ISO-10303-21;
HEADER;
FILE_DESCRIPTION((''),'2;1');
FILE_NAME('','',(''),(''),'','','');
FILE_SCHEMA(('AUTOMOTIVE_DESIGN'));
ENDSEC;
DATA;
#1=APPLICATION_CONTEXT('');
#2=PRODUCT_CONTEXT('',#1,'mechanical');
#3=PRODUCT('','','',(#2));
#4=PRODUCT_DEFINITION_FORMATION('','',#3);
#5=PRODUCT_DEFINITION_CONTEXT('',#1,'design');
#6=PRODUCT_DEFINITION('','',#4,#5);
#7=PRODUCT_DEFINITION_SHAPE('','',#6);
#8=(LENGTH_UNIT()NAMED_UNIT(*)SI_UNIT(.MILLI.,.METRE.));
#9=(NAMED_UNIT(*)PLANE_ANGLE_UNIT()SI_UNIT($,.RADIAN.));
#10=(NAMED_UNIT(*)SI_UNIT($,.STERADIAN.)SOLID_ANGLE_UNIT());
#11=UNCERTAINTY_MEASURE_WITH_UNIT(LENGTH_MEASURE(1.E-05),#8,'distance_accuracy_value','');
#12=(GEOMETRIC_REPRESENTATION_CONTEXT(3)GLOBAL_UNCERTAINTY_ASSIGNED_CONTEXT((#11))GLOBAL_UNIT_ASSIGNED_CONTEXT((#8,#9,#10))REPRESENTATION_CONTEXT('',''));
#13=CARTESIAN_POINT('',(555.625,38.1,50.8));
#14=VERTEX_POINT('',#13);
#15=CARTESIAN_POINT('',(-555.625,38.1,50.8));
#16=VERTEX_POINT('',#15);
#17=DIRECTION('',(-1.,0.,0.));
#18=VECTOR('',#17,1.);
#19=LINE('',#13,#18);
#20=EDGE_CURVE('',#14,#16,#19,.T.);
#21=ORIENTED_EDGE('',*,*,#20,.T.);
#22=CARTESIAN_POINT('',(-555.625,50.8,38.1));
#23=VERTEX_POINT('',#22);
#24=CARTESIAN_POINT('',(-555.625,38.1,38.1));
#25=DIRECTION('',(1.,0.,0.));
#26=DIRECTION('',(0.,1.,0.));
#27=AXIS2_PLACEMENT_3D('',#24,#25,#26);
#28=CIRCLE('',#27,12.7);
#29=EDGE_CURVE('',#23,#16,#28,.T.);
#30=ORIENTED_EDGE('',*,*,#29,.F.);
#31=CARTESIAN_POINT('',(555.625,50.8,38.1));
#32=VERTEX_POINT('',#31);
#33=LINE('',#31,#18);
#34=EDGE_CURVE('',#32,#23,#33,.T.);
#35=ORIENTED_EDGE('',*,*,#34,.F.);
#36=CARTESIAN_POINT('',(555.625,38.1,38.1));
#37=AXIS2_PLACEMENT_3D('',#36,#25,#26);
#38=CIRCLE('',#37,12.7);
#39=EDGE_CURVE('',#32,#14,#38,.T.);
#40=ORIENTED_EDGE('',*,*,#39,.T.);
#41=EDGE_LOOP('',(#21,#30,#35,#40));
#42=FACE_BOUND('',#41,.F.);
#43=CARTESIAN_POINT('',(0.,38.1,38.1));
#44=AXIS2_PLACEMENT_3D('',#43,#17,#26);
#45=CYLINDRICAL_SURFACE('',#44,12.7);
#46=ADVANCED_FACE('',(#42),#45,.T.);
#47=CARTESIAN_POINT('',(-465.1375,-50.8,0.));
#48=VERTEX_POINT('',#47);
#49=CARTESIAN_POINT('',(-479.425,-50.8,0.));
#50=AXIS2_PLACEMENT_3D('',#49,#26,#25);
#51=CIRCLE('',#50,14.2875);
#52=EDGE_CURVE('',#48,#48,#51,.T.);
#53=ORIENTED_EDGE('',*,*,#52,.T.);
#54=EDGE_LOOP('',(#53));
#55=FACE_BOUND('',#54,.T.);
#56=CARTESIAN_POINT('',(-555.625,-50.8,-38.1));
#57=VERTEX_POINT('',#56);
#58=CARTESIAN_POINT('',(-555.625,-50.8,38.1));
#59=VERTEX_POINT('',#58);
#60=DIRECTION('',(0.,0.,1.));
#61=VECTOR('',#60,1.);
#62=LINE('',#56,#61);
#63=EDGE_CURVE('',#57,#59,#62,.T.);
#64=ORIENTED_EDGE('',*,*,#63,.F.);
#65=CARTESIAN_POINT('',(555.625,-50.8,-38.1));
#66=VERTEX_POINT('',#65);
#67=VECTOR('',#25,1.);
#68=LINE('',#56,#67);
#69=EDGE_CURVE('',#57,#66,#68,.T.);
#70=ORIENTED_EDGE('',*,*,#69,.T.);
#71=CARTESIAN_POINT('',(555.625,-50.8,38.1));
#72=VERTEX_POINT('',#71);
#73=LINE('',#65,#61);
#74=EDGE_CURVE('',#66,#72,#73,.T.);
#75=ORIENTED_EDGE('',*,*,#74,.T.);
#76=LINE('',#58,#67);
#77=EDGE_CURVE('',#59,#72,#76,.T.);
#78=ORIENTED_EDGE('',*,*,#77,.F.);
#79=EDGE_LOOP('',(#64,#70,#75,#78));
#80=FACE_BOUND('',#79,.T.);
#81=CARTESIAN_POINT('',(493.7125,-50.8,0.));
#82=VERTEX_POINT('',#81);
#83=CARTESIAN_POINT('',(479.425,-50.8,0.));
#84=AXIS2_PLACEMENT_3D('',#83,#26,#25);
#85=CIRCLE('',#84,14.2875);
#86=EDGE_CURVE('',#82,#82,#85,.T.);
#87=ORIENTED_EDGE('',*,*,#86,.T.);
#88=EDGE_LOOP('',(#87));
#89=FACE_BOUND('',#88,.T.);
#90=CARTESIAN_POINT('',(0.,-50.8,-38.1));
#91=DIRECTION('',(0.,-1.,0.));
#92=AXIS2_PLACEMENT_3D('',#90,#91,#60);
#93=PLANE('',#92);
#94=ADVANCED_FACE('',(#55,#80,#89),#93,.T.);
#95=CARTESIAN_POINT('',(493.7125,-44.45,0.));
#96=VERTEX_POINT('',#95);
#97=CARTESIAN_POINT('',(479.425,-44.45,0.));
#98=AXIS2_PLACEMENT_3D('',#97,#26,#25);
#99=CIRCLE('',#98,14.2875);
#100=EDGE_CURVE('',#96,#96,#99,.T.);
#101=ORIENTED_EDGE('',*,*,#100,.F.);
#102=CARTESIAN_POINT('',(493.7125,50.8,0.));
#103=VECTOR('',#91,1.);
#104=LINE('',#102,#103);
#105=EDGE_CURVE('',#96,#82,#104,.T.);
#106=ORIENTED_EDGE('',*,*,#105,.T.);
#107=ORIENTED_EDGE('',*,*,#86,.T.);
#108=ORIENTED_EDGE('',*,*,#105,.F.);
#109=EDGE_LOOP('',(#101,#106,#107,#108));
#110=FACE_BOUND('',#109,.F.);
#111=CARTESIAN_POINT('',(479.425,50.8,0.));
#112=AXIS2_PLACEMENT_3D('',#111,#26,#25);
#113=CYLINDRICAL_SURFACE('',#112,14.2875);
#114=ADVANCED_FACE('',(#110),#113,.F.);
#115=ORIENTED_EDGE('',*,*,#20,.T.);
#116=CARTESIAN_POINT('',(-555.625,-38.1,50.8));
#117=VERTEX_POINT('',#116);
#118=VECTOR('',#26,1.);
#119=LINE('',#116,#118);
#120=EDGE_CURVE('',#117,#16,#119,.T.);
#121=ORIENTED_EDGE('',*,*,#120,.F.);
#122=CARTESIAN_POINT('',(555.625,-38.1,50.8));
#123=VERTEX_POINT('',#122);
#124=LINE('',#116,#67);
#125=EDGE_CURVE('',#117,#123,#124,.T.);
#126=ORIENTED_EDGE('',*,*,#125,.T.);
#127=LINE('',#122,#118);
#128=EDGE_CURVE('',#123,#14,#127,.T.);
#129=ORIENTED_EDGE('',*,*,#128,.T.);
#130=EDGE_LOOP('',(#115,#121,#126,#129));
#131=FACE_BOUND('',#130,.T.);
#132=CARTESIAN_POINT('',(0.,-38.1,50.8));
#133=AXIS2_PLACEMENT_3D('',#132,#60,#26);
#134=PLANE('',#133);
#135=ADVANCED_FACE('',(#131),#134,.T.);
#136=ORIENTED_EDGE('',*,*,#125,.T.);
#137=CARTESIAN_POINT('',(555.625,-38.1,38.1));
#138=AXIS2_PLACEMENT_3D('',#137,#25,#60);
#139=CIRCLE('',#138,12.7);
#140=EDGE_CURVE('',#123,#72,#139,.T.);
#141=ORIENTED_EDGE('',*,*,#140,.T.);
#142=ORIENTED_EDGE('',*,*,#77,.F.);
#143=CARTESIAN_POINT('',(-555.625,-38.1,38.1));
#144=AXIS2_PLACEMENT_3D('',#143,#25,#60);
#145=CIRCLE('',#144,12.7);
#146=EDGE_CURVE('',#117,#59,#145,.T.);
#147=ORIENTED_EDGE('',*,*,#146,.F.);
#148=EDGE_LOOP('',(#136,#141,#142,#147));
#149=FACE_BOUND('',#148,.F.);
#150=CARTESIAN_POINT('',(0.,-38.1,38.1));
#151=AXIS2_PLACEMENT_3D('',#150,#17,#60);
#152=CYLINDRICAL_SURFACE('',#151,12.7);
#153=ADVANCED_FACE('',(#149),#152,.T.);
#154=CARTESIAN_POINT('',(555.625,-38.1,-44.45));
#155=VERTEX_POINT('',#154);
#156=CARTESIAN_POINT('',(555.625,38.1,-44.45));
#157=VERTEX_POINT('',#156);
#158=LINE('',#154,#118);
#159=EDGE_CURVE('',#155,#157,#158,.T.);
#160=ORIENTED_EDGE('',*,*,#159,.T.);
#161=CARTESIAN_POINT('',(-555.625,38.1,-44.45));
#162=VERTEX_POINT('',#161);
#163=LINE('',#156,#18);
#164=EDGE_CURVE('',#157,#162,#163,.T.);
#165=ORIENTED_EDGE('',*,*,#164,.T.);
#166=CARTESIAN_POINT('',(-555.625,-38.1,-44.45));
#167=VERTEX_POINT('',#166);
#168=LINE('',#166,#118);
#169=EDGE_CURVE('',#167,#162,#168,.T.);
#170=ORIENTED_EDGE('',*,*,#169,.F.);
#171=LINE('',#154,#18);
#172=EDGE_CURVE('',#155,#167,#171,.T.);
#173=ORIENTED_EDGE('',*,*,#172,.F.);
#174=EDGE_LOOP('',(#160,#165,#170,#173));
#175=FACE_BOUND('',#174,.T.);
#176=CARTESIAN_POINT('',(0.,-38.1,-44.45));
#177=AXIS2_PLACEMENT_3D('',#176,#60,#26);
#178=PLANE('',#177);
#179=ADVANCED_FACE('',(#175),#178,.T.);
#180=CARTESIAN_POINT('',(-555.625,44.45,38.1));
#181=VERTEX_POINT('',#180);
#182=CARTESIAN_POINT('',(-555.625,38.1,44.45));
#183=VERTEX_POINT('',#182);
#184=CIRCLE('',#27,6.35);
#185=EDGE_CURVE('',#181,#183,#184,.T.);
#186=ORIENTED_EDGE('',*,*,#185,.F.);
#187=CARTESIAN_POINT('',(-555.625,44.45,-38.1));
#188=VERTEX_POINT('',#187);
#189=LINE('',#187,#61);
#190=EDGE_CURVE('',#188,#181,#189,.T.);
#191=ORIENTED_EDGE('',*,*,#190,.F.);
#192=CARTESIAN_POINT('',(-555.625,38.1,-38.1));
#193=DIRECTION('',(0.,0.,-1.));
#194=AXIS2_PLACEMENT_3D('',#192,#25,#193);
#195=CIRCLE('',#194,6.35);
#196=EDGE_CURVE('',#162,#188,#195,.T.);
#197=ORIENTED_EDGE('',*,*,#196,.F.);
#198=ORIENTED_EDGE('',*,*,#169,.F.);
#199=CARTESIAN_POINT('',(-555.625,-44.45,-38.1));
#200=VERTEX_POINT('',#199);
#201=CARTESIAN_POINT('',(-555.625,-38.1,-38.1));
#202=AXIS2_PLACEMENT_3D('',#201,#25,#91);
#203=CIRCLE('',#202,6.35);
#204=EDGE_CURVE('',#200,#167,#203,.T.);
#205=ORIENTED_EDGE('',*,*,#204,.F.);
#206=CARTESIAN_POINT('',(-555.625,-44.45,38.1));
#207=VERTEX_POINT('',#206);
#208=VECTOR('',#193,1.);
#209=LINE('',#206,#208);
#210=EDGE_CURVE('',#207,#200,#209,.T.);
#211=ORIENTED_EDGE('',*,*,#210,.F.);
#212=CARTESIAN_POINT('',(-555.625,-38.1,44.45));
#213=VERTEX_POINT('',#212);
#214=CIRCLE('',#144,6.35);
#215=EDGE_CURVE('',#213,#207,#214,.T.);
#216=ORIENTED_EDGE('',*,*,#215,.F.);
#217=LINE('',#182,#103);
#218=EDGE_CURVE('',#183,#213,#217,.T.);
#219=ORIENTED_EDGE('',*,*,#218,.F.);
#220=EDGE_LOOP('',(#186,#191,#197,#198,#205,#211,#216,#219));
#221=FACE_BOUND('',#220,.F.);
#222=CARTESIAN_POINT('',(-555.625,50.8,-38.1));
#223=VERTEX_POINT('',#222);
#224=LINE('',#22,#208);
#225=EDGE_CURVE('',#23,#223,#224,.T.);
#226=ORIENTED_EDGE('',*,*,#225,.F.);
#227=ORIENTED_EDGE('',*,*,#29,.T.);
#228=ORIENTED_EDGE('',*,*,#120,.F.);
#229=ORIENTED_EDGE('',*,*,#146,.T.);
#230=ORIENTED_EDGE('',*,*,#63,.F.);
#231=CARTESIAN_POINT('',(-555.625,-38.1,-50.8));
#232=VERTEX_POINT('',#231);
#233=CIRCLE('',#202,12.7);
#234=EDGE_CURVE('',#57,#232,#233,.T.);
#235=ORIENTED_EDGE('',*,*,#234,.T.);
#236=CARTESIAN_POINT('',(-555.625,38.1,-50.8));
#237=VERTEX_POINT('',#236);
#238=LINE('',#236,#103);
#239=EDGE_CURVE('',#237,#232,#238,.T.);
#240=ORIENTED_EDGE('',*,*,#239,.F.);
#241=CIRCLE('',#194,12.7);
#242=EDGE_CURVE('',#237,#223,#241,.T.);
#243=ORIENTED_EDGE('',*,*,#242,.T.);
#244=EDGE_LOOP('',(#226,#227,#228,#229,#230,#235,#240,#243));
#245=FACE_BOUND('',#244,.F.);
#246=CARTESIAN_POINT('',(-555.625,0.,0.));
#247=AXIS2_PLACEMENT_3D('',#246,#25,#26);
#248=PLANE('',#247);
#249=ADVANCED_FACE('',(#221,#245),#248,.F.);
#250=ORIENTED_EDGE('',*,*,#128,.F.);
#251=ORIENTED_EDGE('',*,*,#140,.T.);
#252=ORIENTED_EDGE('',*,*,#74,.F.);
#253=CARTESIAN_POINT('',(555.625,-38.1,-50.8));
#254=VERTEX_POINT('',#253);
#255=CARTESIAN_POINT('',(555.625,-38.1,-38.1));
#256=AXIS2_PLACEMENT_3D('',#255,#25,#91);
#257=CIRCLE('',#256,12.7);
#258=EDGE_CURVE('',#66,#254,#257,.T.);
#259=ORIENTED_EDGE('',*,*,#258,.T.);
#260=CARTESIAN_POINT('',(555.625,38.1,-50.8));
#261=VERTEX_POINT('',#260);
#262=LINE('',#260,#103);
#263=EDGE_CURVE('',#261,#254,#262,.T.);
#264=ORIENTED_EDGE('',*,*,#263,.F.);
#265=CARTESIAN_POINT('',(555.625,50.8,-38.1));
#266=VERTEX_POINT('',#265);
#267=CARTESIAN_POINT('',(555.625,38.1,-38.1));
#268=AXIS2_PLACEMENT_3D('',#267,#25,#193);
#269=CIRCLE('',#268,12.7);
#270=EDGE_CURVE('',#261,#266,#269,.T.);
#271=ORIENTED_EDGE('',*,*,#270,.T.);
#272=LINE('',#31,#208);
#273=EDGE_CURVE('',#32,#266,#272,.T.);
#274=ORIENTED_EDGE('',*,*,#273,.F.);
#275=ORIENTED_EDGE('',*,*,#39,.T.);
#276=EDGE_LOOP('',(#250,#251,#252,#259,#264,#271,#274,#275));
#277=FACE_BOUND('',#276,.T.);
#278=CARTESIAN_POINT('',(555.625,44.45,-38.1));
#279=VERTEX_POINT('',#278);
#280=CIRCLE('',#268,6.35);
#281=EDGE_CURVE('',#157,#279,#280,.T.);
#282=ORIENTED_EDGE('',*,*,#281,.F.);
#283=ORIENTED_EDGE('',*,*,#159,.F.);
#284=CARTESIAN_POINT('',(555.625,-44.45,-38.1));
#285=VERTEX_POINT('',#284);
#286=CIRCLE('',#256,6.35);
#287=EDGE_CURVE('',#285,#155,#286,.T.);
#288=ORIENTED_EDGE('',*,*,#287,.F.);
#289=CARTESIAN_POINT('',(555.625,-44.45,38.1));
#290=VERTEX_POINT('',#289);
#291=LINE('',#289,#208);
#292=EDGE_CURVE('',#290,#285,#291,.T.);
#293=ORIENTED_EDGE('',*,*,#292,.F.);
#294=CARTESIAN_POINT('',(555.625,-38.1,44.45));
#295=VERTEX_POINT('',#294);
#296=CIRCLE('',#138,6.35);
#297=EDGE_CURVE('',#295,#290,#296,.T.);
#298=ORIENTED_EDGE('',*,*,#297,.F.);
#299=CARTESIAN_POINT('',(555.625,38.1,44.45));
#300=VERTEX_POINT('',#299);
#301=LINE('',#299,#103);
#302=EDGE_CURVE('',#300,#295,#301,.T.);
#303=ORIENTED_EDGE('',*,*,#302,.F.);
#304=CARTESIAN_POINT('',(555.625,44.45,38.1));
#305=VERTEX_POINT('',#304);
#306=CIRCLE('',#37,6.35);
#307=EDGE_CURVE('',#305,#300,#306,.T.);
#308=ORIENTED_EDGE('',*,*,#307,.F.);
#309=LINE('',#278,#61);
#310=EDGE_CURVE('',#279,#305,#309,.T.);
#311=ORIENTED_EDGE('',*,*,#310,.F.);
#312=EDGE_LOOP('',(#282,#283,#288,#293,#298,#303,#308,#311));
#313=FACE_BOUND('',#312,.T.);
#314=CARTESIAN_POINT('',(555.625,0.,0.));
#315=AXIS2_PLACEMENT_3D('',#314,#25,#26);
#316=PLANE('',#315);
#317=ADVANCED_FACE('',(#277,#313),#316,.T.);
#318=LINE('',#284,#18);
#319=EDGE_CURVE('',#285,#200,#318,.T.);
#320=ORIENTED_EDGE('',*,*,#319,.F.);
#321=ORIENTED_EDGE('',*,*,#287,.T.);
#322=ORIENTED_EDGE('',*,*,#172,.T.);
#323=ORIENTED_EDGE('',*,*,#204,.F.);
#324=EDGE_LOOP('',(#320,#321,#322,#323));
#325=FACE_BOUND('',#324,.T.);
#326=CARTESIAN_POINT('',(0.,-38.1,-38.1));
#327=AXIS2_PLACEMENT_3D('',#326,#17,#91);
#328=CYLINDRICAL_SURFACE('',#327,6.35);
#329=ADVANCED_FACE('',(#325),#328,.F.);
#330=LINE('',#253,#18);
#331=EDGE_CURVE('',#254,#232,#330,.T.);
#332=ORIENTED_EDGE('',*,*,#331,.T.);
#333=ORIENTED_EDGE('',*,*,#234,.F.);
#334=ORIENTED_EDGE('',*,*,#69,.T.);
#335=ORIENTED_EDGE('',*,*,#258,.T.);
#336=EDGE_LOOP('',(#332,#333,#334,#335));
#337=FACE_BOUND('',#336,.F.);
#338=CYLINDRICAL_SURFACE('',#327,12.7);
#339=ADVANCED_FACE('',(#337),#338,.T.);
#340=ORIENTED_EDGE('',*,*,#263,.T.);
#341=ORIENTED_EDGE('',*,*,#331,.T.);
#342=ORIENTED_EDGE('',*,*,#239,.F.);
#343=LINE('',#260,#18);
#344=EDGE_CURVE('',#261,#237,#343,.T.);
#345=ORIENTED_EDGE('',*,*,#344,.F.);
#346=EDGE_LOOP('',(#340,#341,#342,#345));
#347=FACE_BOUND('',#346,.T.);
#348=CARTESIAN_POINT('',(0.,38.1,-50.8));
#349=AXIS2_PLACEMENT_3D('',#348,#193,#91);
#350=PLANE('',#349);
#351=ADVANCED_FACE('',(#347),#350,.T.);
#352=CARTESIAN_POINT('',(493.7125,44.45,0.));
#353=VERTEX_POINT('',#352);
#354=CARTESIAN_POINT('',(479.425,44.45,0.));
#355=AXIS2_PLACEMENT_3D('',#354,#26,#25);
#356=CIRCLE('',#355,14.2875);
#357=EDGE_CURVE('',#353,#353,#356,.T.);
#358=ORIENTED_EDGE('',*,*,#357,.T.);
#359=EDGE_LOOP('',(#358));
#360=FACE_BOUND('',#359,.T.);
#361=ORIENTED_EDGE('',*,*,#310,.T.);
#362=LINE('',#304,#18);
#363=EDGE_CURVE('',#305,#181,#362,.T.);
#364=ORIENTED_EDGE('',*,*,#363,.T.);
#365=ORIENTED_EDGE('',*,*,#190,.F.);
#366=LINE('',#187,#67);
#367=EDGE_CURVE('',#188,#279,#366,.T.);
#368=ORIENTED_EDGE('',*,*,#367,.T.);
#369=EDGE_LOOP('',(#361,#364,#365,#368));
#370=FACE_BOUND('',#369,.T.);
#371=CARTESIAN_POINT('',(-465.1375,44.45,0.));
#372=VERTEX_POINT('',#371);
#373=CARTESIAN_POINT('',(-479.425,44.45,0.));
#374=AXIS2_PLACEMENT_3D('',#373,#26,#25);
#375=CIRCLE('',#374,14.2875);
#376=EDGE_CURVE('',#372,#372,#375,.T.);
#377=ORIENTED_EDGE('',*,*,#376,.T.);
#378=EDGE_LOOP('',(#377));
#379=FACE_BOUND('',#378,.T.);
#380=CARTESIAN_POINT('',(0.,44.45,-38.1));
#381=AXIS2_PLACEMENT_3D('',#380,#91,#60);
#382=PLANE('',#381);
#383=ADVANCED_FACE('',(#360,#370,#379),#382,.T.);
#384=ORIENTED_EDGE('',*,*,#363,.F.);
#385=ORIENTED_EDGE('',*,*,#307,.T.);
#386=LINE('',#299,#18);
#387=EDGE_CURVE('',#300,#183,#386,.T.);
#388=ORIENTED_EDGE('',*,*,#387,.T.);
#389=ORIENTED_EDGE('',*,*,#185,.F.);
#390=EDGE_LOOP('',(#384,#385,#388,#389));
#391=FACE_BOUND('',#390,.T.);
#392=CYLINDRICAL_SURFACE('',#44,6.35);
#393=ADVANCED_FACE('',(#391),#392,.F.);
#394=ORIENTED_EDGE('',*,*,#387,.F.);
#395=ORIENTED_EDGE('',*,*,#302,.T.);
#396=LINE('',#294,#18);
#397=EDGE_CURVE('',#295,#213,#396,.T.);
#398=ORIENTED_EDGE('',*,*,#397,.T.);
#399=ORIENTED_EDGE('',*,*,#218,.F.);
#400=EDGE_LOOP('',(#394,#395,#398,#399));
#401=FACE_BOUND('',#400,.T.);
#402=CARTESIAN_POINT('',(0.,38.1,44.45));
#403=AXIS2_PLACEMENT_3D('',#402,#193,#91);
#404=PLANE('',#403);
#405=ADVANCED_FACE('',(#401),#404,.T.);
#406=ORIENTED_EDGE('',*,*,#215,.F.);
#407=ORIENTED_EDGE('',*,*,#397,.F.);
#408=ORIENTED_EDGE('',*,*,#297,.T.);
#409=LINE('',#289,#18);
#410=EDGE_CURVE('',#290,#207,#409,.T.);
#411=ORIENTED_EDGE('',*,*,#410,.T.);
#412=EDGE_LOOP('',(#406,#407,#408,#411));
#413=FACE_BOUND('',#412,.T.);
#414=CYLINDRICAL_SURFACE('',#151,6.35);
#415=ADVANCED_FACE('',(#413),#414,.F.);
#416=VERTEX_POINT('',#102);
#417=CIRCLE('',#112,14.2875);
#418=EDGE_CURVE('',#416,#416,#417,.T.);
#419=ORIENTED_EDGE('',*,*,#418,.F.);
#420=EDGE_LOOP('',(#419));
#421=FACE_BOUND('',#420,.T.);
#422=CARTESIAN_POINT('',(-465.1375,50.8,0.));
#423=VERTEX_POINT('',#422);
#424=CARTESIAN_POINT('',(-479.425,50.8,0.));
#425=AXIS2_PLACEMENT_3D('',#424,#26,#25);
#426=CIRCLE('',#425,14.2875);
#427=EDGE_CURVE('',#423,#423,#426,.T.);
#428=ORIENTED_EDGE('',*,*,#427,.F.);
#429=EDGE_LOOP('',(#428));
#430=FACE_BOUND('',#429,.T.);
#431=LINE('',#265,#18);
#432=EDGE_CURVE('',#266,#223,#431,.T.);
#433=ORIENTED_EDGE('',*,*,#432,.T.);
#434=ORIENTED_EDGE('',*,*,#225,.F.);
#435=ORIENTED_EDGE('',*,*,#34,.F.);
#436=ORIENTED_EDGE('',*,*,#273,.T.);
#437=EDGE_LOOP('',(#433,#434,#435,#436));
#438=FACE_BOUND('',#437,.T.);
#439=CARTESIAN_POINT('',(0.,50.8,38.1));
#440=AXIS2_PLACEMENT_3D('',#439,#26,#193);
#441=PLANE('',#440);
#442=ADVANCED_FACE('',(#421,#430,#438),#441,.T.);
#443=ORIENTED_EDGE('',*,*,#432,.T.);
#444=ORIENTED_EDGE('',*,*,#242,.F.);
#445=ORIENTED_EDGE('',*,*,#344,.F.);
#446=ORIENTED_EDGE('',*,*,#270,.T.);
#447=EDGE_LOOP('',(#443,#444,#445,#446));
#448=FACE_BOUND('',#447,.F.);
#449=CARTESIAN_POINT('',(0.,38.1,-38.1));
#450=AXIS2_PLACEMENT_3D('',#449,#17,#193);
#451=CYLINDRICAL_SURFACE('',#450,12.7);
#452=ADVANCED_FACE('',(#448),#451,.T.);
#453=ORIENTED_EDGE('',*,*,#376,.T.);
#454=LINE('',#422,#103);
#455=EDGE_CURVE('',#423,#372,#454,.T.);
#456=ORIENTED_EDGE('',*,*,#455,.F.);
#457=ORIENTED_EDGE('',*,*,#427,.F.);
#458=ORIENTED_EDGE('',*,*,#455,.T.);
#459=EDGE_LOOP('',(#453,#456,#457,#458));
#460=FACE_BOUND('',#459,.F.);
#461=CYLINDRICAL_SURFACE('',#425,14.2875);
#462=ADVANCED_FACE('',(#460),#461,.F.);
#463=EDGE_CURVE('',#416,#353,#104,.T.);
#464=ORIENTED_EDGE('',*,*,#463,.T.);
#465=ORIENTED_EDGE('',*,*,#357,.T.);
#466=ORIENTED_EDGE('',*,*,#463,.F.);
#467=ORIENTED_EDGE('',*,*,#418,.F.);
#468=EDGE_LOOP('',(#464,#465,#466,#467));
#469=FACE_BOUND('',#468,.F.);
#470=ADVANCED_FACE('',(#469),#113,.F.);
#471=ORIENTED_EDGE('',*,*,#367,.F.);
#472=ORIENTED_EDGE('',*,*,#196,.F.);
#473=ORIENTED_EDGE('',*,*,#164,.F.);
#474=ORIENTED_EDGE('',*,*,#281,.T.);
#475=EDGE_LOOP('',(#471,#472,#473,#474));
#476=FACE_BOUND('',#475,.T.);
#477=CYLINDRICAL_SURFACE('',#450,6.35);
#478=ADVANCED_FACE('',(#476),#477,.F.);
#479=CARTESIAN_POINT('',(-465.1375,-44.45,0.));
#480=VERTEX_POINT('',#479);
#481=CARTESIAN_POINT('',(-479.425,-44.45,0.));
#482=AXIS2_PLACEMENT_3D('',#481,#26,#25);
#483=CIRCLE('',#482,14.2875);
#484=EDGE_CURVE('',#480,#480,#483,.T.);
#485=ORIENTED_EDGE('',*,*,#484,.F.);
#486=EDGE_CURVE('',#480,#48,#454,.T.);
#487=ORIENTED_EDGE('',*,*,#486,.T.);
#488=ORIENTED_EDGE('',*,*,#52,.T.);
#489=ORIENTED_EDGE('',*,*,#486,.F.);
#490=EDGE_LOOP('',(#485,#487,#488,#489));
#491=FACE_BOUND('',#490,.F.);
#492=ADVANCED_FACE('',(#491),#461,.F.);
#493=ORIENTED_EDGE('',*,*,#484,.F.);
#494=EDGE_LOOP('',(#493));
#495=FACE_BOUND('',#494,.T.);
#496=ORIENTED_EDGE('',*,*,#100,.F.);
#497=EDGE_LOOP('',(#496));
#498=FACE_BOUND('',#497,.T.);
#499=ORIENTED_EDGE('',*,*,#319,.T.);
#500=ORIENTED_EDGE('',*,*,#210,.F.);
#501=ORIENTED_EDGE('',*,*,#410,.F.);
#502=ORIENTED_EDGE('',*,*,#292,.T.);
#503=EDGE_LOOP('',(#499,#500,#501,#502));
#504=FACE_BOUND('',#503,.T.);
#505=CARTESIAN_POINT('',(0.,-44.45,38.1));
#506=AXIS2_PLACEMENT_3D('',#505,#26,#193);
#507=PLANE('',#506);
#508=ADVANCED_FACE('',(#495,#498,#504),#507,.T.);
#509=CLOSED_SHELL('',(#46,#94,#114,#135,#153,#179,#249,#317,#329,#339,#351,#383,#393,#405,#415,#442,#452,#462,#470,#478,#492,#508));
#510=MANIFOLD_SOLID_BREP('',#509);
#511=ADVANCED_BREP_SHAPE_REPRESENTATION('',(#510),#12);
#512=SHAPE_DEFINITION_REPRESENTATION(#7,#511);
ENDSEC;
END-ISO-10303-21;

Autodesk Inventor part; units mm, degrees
ref_plane "YZ Plane" through (0, 0, 0) normal (1, 0, 0) x (0, 1, 0)
ref_plane "XZ Plane" through (0, 0, 0) normal (0, 1, 0) x (-1, 0, 0)
ref_plane "XY Plane" through (0, 0, 0) normal (0, 0, 1) x (1, 0, 0)
sketch "Sketch5" plane through (0, 0, 0) normal (1, 0, 0) x (0, 1, 0)
  line L0 (-38.1, 50.8) -> (38.1, 50.8)
  line L1 (50.8, 38.1) -> (50.8, -38.1)
  line L2 (38.1, -50.8) -> (-38.1, -50.8)
  line L3 (-50.8, -38.1) -> (-50.8, 38.1)
  line L4 (-50.8, 50.8) -> (50.8, -50.8) construction
  line L5 (50.8, 50.8) -> (-50.8, -50.8) construction
  arc A0 (50.8, 38.1) -> (38.1, 50.8) centre (38.1, 38.1) ccw
  arc A1 (38.1, -50.8) -> (50.8, -38.1) centre (38.1, -38.1) ccw
  arc A2 (-50.8, -38.1) -> (-38.1, -50.8) centre (-38.1, -38.1) ccw
  arc A3 (-38.1, 50.8) -> (-50.8, 38.1) centre (-38.1, 38.1) ccw
  line L6 (44.45, -38.1) -> (44.45, 38.1)
  arc A4 (44.45, 38.1) -> (38.1, 44.45) centre (38.1, 38.1) ccw
  line L7 (38.1, 44.45) -> (-38.1, 44.45)
  arc A5 (-38.1, 44.45) -> (-44.45, 38.1) centre (-38.1, 38.1) ccw
  line L8 (-44.45, 38.1) -> (-44.45, -38.1)
  arc A6 (-44.45, -38.1) -> (-38.1, -44.45) centre (-38.1, -38.1) ccw
  line L9 (-38.1, -44.45) -> (38.1, -44.45)
  arc A7 (38.1, -44.45) -> (44.45, -38.1) centre (38.1, -38.1) ccw
  point P0 (0, 0)
  dimension "d6" = 101.6
  dimension "d7" = 101.6
  dimension "d8" = 12.7
  dimension "d9" = 6.35
extrude "Extrusion4" add sketch "Sketch5" along normal mid plane 1111.25
sketch "Sketch9" plane through (-555.625, 50.8, 38.1) normal (0, 1, 0) x (1, 0, 0)
  line L0 (0, 38.1) -> (1111.25, 38.1) construction
  line L1 (1111.25, 0) -> (1111.25, 76.2) projected
  circle A0 centre (76.2, 38.1) radius 14.2875
  line L2 (0, 0) -> (0, 76.2) projected
  circle A1 centre (1035.05, 38.1) radius 14.2875
  point P0 (555.625, 38.1)
  dimension "d30" = 28.575
  dimension "d31" = 76.2
  dimension "d32" = 76.2
extrude "Extrusion8" cut sketch "Sketch9" against normal blind 382.5875
properties part number "Model-4_Base Tube-1" material "SS304"
